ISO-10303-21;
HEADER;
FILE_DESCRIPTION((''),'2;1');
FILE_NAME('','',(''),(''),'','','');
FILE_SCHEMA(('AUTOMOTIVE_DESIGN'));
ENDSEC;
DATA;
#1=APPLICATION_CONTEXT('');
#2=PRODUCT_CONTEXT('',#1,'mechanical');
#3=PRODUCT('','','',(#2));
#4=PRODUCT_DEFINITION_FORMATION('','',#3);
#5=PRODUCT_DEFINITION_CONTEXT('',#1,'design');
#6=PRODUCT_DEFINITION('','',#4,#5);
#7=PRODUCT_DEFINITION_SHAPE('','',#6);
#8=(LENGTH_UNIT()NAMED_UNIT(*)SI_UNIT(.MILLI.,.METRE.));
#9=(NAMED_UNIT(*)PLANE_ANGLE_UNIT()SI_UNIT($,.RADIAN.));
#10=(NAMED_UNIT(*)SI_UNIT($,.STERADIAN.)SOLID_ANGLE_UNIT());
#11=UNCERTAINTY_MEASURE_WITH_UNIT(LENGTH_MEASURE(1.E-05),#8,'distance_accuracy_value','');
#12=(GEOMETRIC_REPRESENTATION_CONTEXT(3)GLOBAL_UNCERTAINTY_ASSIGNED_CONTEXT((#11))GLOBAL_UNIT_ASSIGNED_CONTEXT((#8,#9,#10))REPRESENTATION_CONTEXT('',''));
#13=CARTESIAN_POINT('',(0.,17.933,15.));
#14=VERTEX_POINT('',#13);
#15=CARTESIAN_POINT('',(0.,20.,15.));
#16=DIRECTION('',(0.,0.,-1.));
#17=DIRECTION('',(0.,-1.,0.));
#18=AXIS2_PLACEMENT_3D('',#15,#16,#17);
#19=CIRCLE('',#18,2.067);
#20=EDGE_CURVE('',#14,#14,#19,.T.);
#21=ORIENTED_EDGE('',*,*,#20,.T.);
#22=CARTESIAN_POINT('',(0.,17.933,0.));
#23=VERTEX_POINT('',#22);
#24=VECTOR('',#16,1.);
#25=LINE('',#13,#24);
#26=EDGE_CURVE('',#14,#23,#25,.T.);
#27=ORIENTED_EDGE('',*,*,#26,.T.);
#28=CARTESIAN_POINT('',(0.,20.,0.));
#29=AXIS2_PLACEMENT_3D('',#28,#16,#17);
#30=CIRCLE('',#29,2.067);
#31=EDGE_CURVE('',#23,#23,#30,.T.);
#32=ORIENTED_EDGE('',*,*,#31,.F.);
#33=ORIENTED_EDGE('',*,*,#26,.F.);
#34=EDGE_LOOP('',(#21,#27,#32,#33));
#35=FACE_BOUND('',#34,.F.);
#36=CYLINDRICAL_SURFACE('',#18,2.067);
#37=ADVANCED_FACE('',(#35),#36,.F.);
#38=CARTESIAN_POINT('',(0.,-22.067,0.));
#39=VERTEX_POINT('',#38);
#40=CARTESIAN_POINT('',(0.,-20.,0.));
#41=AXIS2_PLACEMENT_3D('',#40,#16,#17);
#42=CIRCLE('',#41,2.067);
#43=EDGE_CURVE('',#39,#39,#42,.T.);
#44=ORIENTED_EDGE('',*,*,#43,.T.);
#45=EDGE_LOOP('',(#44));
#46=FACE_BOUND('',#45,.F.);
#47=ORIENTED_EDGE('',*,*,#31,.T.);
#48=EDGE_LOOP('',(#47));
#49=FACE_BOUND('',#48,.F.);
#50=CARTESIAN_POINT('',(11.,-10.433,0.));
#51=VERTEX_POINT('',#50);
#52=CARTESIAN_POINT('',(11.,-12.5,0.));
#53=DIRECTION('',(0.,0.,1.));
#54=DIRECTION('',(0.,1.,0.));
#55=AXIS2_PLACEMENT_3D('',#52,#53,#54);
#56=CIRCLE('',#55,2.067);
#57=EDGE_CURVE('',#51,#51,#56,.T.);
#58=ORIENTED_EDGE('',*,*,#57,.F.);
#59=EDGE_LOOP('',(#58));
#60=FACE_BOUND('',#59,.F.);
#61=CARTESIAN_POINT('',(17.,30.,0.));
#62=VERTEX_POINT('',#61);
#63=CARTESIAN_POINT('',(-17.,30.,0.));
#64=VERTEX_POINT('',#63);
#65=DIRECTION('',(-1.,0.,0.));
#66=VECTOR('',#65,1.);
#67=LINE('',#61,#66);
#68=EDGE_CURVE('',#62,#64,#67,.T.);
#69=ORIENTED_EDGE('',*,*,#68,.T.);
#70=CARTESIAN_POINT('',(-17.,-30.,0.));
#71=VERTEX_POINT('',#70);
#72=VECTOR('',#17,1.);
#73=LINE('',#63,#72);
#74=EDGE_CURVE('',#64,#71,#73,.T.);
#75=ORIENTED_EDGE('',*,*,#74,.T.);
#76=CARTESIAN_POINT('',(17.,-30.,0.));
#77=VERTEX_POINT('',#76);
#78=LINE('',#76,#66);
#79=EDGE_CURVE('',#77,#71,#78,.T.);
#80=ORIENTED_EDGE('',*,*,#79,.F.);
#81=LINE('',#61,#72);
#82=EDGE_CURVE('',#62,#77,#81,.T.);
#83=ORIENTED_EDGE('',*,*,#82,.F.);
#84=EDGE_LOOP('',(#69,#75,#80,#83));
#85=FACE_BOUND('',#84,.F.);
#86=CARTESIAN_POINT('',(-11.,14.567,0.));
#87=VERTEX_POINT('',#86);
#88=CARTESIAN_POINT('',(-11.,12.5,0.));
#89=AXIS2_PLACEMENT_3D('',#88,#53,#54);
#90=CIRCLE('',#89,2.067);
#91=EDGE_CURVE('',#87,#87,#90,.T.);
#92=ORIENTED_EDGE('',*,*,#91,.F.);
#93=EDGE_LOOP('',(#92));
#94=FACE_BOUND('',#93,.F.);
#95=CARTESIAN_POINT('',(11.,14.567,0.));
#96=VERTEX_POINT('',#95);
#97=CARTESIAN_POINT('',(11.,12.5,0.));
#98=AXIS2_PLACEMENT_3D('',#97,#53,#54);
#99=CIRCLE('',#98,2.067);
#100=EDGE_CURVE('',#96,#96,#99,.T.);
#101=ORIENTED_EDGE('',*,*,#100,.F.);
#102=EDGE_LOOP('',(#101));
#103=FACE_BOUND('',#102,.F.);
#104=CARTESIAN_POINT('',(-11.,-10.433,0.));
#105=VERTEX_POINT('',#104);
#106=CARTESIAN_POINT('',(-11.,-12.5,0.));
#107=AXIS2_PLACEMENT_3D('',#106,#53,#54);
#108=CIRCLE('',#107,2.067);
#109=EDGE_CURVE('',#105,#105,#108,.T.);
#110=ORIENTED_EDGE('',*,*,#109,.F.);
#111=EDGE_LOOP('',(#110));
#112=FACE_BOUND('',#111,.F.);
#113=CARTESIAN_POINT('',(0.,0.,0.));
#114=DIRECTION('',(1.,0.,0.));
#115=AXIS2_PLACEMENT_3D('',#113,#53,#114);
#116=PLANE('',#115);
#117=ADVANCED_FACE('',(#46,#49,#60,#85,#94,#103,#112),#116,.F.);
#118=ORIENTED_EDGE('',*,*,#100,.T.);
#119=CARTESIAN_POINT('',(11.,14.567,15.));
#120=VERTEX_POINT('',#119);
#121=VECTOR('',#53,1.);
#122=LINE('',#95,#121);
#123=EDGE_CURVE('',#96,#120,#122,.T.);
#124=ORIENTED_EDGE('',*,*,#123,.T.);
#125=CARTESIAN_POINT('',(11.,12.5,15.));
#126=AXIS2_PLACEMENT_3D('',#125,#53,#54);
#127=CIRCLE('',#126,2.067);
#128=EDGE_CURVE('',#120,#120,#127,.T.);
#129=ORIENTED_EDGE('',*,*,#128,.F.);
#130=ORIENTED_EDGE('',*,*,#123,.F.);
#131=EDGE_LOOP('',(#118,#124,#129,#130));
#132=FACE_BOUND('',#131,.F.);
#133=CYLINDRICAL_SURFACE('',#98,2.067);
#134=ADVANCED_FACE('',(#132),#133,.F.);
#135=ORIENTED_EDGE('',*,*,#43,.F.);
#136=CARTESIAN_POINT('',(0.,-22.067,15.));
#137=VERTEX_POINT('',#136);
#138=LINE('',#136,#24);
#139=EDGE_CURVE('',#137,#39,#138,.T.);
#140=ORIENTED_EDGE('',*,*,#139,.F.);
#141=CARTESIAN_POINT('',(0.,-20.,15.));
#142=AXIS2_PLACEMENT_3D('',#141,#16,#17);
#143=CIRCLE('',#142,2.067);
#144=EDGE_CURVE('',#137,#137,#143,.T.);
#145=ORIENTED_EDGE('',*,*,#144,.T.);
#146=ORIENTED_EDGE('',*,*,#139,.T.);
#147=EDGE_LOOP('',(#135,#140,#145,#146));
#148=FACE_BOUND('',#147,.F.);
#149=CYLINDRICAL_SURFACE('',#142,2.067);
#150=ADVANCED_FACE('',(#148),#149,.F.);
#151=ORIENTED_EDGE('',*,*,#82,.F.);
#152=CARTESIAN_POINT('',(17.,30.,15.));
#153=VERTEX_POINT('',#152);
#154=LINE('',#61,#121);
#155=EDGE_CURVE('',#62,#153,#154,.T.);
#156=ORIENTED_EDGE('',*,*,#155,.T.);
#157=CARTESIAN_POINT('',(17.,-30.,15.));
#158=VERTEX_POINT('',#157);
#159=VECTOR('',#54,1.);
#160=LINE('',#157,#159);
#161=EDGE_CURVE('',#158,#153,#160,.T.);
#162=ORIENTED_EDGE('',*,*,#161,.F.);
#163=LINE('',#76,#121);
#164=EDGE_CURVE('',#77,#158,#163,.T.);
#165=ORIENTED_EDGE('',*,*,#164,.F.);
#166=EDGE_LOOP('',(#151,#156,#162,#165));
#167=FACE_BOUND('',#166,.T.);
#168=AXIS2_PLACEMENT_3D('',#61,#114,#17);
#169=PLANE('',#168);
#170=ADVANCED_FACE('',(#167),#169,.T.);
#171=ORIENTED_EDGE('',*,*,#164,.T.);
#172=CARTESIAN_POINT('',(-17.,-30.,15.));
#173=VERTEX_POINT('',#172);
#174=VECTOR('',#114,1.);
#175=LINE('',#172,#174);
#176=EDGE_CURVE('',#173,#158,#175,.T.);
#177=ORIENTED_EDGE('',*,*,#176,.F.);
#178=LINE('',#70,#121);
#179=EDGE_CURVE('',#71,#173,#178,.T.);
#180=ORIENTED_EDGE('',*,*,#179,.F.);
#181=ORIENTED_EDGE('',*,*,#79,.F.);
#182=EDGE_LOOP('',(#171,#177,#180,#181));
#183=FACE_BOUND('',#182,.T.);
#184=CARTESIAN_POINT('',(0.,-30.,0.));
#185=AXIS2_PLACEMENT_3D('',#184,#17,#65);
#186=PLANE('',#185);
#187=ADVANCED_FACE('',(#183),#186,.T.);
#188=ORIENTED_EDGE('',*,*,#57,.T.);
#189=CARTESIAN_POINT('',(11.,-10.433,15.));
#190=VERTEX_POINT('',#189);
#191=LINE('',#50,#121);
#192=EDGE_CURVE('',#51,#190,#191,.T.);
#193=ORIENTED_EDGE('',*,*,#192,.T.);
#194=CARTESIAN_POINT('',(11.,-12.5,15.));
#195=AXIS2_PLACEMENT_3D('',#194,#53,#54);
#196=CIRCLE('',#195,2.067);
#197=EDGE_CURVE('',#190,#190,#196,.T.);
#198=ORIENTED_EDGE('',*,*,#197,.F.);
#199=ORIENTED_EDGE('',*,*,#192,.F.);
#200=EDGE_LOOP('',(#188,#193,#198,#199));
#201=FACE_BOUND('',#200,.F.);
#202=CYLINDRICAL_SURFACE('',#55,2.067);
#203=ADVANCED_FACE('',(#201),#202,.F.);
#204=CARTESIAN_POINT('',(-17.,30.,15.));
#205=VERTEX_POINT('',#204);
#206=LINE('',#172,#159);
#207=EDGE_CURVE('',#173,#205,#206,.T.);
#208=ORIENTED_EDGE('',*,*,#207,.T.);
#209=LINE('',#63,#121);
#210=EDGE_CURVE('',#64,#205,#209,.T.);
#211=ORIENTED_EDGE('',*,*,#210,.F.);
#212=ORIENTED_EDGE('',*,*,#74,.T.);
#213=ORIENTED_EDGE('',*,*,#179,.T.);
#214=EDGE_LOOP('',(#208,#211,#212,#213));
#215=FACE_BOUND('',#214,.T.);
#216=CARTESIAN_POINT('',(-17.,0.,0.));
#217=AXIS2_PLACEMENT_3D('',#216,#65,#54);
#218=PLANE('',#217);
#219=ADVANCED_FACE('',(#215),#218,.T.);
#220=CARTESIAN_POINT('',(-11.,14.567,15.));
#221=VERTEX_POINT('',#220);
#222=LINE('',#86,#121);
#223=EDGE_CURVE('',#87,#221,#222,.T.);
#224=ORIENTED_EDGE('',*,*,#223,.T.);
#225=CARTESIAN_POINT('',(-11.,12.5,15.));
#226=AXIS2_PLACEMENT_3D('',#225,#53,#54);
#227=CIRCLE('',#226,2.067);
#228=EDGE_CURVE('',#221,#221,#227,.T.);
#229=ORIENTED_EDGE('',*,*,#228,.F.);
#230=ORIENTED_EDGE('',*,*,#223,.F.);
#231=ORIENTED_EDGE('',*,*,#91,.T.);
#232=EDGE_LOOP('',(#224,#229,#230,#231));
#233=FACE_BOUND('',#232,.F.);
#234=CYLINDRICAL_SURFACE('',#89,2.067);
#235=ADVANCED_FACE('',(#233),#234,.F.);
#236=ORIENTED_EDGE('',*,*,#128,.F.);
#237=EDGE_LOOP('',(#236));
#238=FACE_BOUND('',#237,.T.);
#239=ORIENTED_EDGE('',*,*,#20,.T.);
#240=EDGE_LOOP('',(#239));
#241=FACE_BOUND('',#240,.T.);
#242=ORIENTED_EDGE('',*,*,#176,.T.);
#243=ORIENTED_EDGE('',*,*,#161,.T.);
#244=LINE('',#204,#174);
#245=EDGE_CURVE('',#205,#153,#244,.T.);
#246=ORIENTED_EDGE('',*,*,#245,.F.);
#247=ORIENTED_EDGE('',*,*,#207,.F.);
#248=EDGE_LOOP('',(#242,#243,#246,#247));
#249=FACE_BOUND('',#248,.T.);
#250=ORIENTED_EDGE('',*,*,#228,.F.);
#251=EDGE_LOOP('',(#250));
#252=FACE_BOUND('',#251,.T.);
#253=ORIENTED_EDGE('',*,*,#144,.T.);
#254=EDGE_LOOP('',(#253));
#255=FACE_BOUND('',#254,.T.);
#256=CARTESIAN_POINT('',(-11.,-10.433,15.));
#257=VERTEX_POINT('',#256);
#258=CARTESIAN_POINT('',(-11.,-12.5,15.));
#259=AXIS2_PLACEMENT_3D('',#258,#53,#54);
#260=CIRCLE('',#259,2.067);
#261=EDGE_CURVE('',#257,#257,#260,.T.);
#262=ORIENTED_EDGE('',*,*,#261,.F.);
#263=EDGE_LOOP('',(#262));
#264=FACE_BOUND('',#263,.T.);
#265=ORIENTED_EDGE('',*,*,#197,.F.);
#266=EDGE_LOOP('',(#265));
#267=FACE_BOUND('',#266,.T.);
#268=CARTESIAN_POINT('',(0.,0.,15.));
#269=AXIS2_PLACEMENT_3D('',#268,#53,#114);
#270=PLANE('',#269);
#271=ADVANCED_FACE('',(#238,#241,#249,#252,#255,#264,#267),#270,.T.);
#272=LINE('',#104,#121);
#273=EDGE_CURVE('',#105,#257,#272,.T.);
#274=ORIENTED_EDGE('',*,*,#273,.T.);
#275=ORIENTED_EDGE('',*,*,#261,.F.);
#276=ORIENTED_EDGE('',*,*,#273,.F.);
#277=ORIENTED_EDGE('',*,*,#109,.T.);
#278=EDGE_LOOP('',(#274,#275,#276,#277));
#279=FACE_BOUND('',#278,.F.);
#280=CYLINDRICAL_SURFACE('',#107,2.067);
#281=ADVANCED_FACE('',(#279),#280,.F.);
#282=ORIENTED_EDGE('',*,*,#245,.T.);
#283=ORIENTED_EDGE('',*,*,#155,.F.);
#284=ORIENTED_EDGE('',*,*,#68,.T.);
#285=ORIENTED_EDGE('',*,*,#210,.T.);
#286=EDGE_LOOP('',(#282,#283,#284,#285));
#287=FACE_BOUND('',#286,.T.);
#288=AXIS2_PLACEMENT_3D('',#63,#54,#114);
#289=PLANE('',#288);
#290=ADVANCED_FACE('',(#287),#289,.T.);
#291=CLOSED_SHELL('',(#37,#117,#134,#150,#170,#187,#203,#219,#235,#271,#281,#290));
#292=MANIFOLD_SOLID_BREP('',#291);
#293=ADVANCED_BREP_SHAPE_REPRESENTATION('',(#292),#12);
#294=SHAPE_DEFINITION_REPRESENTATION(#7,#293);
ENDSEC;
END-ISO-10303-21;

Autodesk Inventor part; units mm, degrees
ref_plane "YZ Plane" through (0, 0, 0) normal (1, 0, 0) x (0, 1, 0)
ref_plane "XZ Plane" through (0, 0, 0) normal (0, 1, 0) x (-1, 0, 0)
ref_plane "XY Plane" through (0, 0, 0) normal (0, 0, 1) x (1, 0, 0)
sketch "Skizze1" plane through (0, 0, 0) normal (0, 0, 1) x (1, 0, 0)
  line L0 (-17, 30) -> (17, 30)
  line L1 (17, 30) -> (17, -30)
  line L2 (17, -30) -> (-17, -30)
  line L3 (-17, -30) -> (-17, 30)
  line L4 (-23.8, 0) -> (23.8, 0) projected
  line L5 (0, -42) -> (0, 42) projected
  point P0 (0, 0)
  dimension "d0" = 34
  dimension "d1" = 60
extrude "Extrusion1" add sketch "Skizze1" along normal blind 15
sketch "Skizze2" plane through (0, 0, 0) normal (0, 0, -1) x (-1, 0, 0)
  line L0 (23.8, 0) -> (-23.8, 0) projected
  line L1 (0, -42) -> (0, 42) projected
  line L2 (11, 12.5) -> (-11, 12.5)
  line L3 (-11, 12.5) -> (-11, -12.5)
  line L4 (-11, -12.5) -> (11, -12.5)
  line L5 (11, -12.5) -> (11, 12.5)
  point P0 (0, 0)
  dimension "d4" = 22
  dimension "d5" = 25
hole "Bohrung1" at (-11, 12.5, 0) at (-11, -12.5, 0) at (11, -12.5, 0) at (11, 12.5, 0) direction (0, 0, 1) diameter 4.134 end through all thread size "M5x0.8" class "6H" standard "ISO Metric profile"
sketch "Skizze3" plane through (0, 0, 15) normal (0, 0, 1) x (1, 0, 0)
  circle A0 centre (0, 20) radius 2.75 projected
  circle A1 centre (0, -20) radius 2.75 projected
  point P0 (0, 0)
hole "Bohrung2" at (0, 20, 15) at (0, -20, 15) direction (0, 0, -1) diameter 4.134 end through all thread size "M5x0.8" class "6H" standard "ISO Metric profile"
properties part number "1_0204_011"
